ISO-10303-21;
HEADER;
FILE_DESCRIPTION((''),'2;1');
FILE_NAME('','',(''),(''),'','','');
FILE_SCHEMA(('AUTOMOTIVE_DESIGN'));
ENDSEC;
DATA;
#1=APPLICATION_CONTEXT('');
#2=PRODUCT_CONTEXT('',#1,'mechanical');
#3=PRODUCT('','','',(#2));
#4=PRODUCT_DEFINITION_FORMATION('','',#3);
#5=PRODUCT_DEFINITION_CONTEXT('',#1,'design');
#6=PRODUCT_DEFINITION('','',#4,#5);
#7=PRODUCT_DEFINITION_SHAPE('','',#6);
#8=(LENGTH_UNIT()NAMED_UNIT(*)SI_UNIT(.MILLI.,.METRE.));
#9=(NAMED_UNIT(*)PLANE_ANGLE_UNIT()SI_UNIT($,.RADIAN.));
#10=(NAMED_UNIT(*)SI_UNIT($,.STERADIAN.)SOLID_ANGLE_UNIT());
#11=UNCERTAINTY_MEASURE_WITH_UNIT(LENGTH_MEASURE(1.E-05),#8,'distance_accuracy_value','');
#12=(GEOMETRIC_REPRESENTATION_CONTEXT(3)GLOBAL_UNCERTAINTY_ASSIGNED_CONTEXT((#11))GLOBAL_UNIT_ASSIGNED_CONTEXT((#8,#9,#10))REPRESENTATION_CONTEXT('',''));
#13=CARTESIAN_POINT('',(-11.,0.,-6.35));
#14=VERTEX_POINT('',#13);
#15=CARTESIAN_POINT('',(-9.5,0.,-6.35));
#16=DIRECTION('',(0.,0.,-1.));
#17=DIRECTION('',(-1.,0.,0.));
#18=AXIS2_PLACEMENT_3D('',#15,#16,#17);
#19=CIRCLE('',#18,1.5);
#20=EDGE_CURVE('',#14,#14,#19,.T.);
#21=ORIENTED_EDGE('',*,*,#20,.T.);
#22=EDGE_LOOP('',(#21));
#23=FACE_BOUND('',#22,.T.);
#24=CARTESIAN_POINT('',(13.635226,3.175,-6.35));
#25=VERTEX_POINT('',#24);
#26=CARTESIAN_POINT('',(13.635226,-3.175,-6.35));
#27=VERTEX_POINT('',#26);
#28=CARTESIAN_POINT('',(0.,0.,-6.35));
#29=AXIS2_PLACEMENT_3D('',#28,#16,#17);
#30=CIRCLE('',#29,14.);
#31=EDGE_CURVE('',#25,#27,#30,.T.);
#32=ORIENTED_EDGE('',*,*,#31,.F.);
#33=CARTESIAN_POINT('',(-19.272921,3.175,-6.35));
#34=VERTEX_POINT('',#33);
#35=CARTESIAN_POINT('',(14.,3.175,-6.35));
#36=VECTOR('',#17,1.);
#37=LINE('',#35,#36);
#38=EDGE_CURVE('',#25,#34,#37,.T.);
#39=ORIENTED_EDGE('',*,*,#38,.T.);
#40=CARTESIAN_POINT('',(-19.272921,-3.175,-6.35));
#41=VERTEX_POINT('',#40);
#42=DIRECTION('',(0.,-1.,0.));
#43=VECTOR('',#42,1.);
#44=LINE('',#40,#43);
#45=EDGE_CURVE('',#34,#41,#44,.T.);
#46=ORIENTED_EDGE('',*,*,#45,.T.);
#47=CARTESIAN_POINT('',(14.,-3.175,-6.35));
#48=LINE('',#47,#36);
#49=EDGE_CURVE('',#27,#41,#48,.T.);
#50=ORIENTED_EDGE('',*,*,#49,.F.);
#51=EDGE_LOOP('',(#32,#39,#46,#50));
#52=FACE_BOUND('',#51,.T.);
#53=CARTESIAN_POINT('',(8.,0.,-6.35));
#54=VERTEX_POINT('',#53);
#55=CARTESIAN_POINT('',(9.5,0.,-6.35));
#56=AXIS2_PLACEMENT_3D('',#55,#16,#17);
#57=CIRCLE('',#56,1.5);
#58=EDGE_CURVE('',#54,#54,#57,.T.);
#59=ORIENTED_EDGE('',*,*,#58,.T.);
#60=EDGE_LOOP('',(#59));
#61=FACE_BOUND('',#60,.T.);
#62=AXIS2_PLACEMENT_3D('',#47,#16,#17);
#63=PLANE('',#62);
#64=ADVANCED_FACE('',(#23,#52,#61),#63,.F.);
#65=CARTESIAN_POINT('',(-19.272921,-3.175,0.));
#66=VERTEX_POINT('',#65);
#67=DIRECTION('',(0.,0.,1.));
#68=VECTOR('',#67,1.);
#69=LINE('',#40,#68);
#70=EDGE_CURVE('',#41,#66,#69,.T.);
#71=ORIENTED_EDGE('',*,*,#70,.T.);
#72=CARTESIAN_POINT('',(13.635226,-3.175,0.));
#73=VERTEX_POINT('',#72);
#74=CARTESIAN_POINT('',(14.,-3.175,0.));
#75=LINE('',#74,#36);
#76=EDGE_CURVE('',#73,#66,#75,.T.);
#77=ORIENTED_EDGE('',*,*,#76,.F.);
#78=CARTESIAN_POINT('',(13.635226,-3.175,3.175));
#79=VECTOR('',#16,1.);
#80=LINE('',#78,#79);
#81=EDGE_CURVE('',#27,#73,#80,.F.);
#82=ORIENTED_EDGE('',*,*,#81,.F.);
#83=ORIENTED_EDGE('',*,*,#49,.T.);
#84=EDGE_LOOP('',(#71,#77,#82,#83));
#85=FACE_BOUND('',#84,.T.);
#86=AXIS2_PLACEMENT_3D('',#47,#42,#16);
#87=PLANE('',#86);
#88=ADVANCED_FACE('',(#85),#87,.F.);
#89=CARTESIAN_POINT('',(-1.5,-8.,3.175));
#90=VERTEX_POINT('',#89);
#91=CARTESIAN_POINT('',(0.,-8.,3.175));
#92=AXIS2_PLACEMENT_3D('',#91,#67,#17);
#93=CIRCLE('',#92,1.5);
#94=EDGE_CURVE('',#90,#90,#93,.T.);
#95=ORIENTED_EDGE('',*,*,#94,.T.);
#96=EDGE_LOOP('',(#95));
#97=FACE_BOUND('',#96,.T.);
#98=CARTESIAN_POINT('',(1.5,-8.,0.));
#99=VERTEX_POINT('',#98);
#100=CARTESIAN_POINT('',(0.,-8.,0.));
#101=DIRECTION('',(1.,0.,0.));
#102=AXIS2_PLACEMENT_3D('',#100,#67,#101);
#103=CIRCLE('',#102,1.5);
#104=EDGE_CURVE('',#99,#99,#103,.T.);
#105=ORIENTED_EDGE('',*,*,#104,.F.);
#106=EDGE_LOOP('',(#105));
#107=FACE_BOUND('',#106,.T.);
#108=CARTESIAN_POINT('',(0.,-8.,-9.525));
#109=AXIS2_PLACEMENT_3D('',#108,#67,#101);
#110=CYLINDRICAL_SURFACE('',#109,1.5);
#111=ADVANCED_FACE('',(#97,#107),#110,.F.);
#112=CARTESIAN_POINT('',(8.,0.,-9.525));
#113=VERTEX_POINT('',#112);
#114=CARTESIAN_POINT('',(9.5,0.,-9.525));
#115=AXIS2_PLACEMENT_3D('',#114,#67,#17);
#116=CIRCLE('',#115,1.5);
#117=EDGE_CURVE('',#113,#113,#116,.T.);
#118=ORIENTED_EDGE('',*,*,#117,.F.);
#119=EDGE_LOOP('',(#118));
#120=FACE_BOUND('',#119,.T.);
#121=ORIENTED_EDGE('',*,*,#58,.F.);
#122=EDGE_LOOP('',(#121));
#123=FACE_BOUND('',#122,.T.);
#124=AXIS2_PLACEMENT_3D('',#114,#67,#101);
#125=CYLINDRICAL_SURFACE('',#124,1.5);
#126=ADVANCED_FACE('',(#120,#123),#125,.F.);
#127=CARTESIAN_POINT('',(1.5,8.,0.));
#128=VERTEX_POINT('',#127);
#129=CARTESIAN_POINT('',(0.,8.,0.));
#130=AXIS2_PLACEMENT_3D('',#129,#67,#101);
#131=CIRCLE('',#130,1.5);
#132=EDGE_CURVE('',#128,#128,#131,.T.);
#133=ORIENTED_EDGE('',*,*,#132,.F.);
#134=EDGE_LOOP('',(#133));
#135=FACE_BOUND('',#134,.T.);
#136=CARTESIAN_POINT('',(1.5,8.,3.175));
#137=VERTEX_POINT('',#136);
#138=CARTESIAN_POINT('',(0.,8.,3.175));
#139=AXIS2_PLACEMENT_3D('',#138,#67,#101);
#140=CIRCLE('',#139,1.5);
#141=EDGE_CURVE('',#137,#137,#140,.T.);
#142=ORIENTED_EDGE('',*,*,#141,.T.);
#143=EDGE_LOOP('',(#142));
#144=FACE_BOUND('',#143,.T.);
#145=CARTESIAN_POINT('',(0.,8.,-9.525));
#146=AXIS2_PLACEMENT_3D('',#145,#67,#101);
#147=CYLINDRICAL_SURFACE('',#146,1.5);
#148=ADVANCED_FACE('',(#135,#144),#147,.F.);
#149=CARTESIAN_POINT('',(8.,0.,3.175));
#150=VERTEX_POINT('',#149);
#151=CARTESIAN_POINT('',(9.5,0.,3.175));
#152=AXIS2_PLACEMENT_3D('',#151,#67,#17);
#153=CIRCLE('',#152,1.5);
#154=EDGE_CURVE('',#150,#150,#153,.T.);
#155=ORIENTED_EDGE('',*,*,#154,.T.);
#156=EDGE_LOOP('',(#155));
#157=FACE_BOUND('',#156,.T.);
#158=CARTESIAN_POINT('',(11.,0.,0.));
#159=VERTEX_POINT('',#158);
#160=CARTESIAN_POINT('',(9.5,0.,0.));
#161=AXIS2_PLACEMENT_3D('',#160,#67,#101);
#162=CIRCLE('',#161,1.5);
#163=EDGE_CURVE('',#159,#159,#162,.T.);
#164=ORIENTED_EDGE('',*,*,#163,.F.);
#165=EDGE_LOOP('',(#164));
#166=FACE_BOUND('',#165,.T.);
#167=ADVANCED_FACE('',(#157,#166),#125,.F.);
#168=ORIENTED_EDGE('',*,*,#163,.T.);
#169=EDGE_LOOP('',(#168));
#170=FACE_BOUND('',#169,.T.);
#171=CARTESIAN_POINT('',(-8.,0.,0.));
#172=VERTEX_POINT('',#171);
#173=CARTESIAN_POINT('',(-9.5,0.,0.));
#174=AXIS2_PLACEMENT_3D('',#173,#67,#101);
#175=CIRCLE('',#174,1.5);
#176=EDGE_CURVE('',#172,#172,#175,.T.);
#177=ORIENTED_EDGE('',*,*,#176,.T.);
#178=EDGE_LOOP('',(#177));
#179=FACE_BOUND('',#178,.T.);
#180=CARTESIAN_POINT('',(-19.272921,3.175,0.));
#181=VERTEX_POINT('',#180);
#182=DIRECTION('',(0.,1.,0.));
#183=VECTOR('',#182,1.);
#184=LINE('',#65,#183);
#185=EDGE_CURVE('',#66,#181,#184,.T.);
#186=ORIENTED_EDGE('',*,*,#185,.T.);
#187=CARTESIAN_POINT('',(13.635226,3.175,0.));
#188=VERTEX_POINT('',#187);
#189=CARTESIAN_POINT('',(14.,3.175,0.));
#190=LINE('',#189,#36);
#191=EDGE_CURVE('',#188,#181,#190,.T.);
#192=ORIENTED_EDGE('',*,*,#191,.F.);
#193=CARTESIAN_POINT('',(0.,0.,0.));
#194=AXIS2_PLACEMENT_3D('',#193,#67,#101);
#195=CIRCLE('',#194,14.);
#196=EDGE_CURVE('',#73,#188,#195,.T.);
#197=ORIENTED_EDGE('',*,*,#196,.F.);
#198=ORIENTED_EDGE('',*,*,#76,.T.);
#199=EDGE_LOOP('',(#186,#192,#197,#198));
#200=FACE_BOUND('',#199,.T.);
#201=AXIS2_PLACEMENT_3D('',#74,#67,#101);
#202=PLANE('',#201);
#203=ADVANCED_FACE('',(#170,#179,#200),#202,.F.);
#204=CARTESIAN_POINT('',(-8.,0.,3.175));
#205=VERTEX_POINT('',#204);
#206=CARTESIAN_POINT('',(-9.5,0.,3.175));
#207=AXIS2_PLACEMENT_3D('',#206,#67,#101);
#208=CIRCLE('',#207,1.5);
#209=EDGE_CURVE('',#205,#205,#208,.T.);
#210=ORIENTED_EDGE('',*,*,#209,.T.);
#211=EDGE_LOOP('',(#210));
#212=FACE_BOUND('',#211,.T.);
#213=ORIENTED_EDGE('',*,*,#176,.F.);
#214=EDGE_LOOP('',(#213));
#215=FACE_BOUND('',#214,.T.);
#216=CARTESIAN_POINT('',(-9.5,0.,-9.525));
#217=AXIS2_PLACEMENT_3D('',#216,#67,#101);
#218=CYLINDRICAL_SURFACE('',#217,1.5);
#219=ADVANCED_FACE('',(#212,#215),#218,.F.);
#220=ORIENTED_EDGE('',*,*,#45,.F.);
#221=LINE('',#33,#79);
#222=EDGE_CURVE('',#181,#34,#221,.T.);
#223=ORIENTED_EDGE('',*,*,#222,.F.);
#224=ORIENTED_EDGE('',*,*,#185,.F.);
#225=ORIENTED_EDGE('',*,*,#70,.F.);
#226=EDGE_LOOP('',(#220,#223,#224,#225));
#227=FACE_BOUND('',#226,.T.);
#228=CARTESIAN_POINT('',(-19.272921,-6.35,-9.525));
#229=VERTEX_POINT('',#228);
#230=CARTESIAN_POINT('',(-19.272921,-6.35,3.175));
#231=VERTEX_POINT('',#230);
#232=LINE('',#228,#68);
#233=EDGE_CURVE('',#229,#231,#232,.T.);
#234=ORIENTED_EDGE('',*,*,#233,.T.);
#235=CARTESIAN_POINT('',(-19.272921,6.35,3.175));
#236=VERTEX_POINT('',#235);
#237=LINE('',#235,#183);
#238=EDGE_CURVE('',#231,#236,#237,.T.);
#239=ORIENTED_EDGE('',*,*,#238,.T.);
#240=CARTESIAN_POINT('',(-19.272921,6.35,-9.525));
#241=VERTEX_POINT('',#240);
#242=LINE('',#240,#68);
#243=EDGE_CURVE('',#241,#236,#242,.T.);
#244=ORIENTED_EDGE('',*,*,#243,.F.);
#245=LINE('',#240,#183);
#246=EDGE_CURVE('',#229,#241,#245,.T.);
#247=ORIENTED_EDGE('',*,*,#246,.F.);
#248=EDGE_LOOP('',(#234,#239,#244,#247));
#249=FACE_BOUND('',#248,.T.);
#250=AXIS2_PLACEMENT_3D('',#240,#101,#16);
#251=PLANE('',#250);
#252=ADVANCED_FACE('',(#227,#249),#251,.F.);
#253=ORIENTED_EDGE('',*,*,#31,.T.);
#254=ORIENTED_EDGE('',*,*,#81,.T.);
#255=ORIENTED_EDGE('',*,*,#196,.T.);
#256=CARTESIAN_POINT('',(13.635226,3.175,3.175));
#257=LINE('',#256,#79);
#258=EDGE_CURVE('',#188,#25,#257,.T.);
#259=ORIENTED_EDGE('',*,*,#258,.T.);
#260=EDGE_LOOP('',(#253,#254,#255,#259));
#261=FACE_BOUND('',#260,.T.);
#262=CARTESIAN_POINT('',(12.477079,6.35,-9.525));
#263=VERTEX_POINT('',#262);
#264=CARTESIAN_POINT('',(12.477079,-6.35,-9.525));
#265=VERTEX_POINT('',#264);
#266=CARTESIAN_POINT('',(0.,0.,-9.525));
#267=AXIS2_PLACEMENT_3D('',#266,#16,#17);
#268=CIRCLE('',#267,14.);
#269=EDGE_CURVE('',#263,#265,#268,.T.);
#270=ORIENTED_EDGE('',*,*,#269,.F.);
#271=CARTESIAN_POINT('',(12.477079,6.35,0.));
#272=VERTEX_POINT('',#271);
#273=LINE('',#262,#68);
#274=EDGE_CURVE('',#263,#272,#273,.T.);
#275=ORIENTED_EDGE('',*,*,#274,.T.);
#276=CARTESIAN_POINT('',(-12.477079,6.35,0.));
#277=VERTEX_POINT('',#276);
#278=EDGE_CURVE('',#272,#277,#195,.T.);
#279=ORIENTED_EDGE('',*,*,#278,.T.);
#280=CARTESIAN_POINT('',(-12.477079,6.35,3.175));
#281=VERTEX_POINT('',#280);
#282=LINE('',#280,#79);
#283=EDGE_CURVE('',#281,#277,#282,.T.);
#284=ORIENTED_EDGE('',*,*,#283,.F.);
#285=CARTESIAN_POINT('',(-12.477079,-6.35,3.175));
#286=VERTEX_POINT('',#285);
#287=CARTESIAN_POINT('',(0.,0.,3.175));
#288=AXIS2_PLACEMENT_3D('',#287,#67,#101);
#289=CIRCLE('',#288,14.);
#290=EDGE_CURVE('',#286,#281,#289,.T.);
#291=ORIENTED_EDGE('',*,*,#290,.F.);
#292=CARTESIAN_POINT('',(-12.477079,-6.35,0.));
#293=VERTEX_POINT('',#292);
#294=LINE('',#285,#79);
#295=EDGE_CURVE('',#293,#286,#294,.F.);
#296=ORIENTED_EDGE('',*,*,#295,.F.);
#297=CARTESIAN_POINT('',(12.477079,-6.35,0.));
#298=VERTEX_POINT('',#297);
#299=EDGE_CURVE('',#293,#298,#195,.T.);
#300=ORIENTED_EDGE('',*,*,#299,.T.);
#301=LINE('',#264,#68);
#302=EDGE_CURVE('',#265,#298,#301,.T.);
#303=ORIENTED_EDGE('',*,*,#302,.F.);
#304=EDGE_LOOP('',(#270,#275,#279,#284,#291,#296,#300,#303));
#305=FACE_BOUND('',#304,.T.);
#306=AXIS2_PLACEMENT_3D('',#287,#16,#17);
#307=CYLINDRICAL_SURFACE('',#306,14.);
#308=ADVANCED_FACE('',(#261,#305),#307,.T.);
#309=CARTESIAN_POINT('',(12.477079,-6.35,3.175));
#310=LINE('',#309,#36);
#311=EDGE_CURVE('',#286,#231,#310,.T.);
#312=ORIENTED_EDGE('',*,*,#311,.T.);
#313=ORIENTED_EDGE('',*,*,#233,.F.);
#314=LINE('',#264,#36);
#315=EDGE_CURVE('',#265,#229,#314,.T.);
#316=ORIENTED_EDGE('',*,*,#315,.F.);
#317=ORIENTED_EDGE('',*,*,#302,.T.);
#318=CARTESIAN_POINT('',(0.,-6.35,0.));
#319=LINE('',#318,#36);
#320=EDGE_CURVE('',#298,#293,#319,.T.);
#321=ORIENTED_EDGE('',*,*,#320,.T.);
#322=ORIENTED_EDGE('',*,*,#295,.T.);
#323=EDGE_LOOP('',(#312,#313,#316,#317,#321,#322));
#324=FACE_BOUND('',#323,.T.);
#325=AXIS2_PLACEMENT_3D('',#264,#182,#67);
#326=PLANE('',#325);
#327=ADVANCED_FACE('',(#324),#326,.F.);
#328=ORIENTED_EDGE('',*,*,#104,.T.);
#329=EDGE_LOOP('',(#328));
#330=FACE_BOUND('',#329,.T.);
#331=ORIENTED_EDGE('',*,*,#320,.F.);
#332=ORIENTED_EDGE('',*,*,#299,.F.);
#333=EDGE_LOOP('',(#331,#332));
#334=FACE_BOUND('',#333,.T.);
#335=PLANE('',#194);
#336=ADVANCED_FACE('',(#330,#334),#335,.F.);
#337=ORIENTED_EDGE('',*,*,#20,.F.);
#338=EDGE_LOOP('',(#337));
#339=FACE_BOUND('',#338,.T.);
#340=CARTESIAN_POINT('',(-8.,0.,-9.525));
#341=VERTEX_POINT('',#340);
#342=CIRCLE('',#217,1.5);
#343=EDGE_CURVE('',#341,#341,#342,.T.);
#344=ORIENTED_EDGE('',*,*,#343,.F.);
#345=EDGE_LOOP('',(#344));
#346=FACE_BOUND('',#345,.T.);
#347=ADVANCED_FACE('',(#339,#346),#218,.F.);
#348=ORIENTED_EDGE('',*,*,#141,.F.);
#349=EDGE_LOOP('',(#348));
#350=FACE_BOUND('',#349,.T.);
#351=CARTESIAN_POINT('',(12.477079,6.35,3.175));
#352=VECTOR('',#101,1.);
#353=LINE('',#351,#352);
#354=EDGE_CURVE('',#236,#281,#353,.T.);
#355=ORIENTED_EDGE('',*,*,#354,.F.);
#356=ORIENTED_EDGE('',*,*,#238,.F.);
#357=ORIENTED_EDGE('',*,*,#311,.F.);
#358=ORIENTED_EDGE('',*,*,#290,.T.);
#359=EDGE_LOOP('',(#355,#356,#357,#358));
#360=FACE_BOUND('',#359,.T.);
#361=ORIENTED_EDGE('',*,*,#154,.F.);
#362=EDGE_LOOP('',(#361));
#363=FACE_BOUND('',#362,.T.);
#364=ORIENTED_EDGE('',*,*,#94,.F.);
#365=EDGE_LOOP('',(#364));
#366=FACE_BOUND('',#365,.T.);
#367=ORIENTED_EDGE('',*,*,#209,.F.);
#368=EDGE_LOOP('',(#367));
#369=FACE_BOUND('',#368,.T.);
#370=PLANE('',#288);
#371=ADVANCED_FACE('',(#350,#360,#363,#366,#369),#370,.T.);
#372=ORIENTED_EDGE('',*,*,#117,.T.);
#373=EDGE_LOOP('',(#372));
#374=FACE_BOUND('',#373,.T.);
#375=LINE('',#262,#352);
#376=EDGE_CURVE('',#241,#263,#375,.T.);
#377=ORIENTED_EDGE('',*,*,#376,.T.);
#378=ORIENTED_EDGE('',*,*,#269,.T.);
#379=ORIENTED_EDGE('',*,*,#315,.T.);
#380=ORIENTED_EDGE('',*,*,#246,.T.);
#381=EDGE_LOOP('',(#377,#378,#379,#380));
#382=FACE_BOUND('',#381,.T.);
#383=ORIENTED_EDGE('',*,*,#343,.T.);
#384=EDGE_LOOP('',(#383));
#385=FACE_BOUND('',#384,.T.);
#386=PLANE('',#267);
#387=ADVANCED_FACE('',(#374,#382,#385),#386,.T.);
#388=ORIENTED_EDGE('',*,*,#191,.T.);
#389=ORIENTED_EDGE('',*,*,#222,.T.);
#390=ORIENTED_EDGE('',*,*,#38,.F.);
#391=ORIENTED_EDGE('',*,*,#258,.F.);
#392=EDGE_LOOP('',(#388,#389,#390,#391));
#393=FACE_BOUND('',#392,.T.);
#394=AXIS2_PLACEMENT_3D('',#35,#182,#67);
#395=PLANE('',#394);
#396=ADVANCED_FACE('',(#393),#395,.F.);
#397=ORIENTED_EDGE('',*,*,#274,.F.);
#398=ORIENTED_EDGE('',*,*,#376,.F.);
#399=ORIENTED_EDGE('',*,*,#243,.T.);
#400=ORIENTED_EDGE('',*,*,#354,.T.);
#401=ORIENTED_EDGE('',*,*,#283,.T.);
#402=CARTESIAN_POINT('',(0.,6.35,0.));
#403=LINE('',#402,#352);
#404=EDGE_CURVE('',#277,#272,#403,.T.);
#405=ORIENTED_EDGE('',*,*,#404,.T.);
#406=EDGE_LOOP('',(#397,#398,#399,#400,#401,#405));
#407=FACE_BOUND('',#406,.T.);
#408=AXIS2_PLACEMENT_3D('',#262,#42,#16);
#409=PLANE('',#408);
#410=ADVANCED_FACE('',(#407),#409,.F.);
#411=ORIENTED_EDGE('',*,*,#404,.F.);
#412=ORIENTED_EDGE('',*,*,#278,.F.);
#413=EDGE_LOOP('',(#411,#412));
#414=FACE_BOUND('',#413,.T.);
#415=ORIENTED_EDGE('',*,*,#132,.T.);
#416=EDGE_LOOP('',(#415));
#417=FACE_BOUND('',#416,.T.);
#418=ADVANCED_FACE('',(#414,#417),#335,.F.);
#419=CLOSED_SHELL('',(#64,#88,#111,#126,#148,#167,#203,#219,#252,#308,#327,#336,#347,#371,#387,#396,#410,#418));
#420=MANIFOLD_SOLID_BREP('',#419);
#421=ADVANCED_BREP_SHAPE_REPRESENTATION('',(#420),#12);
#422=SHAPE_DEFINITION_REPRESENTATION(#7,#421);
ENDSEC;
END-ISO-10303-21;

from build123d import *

# Parameters (mm, degrees)
SKETCH1_R           = 14
BOSS_EXTRUDE1_DEPTH = 3.175
BOSS_EXTRUDE2_START = 12.7
BOSS_EXTRUDE2_DEPTH = 12.7
SKETCH3_W           = 6.35
SKETCH3_H           = 6.35
CUT_EXTRUDE1_DEPTH  = 38.333803689
SKETCH4_R           = 1.5
CUT_EXTRUDE2_DEPTH  = 27.995101119


with BuildPart() as part:
    # Sketch1 → Boss-Extrude1 (new body)
    with BuildSketch(Plane.XY):
        Circle(SKETCH1_R)
    extrude(amount=BOSS_EXTRUDE1_DEPTH)

    # Sketch2 → Boss-Extrude2 (add)
    with BuildSketch(Plane(origin=(0, 0, 3.175), x_dir=(-1, 0, 0), z_dir=(0, 0, -1)).offset(BOSS_EXTRUDE2_START)):
        with BuildLine():
            Line((-12.477078985, 6.35), (19.272921015, 6.35))
            Line((19.272921015, 6.35), (19.272921015, -6.35))
            Line((19.272921015, -6.35), (-12.477078985, -6.35))
            ThreePointArc((-12.477078985, -6.35), (-14, 0), (-12.477078985, 6.35))
        make_face()
    extrude(amount=-BOSS_EXTRUDE2_DEPTH)

    # Sketch3 → Cut-Extrude1 (cut, through all)
    with BuildSketch(Plane.ZY.offset(19.272921015)):
        with Locations((-3.175, 0)):
            Rectangle(SKETCH3_W, SKETCH3_H)
    extrude(amount=-CUT_EXTRUDE1_DEPTH, mode=Mode.SUBTRACT)

    # Sketch4 → Cut-Extrude2 (cut, through all)
    with BuildSketch(Plane.XY.offset(3.175)):
        with Locations((-9.5, 0)):
            Circle(SKETCH4_R)
        with Locations(Location((9.5, 0, 0), (0, 0, 180))):
            Circle(SKETCH4_R)
        with Locations((0, 8)):
            Circle(SKETCH4_R)
        with Locations((0, -8)):
            Circle(SKETCH4_R)
    extrude(amount=-CUT_EXTRUDE2_DEPTH, mode=Mode.SUBTRACT)


solid = part.part
